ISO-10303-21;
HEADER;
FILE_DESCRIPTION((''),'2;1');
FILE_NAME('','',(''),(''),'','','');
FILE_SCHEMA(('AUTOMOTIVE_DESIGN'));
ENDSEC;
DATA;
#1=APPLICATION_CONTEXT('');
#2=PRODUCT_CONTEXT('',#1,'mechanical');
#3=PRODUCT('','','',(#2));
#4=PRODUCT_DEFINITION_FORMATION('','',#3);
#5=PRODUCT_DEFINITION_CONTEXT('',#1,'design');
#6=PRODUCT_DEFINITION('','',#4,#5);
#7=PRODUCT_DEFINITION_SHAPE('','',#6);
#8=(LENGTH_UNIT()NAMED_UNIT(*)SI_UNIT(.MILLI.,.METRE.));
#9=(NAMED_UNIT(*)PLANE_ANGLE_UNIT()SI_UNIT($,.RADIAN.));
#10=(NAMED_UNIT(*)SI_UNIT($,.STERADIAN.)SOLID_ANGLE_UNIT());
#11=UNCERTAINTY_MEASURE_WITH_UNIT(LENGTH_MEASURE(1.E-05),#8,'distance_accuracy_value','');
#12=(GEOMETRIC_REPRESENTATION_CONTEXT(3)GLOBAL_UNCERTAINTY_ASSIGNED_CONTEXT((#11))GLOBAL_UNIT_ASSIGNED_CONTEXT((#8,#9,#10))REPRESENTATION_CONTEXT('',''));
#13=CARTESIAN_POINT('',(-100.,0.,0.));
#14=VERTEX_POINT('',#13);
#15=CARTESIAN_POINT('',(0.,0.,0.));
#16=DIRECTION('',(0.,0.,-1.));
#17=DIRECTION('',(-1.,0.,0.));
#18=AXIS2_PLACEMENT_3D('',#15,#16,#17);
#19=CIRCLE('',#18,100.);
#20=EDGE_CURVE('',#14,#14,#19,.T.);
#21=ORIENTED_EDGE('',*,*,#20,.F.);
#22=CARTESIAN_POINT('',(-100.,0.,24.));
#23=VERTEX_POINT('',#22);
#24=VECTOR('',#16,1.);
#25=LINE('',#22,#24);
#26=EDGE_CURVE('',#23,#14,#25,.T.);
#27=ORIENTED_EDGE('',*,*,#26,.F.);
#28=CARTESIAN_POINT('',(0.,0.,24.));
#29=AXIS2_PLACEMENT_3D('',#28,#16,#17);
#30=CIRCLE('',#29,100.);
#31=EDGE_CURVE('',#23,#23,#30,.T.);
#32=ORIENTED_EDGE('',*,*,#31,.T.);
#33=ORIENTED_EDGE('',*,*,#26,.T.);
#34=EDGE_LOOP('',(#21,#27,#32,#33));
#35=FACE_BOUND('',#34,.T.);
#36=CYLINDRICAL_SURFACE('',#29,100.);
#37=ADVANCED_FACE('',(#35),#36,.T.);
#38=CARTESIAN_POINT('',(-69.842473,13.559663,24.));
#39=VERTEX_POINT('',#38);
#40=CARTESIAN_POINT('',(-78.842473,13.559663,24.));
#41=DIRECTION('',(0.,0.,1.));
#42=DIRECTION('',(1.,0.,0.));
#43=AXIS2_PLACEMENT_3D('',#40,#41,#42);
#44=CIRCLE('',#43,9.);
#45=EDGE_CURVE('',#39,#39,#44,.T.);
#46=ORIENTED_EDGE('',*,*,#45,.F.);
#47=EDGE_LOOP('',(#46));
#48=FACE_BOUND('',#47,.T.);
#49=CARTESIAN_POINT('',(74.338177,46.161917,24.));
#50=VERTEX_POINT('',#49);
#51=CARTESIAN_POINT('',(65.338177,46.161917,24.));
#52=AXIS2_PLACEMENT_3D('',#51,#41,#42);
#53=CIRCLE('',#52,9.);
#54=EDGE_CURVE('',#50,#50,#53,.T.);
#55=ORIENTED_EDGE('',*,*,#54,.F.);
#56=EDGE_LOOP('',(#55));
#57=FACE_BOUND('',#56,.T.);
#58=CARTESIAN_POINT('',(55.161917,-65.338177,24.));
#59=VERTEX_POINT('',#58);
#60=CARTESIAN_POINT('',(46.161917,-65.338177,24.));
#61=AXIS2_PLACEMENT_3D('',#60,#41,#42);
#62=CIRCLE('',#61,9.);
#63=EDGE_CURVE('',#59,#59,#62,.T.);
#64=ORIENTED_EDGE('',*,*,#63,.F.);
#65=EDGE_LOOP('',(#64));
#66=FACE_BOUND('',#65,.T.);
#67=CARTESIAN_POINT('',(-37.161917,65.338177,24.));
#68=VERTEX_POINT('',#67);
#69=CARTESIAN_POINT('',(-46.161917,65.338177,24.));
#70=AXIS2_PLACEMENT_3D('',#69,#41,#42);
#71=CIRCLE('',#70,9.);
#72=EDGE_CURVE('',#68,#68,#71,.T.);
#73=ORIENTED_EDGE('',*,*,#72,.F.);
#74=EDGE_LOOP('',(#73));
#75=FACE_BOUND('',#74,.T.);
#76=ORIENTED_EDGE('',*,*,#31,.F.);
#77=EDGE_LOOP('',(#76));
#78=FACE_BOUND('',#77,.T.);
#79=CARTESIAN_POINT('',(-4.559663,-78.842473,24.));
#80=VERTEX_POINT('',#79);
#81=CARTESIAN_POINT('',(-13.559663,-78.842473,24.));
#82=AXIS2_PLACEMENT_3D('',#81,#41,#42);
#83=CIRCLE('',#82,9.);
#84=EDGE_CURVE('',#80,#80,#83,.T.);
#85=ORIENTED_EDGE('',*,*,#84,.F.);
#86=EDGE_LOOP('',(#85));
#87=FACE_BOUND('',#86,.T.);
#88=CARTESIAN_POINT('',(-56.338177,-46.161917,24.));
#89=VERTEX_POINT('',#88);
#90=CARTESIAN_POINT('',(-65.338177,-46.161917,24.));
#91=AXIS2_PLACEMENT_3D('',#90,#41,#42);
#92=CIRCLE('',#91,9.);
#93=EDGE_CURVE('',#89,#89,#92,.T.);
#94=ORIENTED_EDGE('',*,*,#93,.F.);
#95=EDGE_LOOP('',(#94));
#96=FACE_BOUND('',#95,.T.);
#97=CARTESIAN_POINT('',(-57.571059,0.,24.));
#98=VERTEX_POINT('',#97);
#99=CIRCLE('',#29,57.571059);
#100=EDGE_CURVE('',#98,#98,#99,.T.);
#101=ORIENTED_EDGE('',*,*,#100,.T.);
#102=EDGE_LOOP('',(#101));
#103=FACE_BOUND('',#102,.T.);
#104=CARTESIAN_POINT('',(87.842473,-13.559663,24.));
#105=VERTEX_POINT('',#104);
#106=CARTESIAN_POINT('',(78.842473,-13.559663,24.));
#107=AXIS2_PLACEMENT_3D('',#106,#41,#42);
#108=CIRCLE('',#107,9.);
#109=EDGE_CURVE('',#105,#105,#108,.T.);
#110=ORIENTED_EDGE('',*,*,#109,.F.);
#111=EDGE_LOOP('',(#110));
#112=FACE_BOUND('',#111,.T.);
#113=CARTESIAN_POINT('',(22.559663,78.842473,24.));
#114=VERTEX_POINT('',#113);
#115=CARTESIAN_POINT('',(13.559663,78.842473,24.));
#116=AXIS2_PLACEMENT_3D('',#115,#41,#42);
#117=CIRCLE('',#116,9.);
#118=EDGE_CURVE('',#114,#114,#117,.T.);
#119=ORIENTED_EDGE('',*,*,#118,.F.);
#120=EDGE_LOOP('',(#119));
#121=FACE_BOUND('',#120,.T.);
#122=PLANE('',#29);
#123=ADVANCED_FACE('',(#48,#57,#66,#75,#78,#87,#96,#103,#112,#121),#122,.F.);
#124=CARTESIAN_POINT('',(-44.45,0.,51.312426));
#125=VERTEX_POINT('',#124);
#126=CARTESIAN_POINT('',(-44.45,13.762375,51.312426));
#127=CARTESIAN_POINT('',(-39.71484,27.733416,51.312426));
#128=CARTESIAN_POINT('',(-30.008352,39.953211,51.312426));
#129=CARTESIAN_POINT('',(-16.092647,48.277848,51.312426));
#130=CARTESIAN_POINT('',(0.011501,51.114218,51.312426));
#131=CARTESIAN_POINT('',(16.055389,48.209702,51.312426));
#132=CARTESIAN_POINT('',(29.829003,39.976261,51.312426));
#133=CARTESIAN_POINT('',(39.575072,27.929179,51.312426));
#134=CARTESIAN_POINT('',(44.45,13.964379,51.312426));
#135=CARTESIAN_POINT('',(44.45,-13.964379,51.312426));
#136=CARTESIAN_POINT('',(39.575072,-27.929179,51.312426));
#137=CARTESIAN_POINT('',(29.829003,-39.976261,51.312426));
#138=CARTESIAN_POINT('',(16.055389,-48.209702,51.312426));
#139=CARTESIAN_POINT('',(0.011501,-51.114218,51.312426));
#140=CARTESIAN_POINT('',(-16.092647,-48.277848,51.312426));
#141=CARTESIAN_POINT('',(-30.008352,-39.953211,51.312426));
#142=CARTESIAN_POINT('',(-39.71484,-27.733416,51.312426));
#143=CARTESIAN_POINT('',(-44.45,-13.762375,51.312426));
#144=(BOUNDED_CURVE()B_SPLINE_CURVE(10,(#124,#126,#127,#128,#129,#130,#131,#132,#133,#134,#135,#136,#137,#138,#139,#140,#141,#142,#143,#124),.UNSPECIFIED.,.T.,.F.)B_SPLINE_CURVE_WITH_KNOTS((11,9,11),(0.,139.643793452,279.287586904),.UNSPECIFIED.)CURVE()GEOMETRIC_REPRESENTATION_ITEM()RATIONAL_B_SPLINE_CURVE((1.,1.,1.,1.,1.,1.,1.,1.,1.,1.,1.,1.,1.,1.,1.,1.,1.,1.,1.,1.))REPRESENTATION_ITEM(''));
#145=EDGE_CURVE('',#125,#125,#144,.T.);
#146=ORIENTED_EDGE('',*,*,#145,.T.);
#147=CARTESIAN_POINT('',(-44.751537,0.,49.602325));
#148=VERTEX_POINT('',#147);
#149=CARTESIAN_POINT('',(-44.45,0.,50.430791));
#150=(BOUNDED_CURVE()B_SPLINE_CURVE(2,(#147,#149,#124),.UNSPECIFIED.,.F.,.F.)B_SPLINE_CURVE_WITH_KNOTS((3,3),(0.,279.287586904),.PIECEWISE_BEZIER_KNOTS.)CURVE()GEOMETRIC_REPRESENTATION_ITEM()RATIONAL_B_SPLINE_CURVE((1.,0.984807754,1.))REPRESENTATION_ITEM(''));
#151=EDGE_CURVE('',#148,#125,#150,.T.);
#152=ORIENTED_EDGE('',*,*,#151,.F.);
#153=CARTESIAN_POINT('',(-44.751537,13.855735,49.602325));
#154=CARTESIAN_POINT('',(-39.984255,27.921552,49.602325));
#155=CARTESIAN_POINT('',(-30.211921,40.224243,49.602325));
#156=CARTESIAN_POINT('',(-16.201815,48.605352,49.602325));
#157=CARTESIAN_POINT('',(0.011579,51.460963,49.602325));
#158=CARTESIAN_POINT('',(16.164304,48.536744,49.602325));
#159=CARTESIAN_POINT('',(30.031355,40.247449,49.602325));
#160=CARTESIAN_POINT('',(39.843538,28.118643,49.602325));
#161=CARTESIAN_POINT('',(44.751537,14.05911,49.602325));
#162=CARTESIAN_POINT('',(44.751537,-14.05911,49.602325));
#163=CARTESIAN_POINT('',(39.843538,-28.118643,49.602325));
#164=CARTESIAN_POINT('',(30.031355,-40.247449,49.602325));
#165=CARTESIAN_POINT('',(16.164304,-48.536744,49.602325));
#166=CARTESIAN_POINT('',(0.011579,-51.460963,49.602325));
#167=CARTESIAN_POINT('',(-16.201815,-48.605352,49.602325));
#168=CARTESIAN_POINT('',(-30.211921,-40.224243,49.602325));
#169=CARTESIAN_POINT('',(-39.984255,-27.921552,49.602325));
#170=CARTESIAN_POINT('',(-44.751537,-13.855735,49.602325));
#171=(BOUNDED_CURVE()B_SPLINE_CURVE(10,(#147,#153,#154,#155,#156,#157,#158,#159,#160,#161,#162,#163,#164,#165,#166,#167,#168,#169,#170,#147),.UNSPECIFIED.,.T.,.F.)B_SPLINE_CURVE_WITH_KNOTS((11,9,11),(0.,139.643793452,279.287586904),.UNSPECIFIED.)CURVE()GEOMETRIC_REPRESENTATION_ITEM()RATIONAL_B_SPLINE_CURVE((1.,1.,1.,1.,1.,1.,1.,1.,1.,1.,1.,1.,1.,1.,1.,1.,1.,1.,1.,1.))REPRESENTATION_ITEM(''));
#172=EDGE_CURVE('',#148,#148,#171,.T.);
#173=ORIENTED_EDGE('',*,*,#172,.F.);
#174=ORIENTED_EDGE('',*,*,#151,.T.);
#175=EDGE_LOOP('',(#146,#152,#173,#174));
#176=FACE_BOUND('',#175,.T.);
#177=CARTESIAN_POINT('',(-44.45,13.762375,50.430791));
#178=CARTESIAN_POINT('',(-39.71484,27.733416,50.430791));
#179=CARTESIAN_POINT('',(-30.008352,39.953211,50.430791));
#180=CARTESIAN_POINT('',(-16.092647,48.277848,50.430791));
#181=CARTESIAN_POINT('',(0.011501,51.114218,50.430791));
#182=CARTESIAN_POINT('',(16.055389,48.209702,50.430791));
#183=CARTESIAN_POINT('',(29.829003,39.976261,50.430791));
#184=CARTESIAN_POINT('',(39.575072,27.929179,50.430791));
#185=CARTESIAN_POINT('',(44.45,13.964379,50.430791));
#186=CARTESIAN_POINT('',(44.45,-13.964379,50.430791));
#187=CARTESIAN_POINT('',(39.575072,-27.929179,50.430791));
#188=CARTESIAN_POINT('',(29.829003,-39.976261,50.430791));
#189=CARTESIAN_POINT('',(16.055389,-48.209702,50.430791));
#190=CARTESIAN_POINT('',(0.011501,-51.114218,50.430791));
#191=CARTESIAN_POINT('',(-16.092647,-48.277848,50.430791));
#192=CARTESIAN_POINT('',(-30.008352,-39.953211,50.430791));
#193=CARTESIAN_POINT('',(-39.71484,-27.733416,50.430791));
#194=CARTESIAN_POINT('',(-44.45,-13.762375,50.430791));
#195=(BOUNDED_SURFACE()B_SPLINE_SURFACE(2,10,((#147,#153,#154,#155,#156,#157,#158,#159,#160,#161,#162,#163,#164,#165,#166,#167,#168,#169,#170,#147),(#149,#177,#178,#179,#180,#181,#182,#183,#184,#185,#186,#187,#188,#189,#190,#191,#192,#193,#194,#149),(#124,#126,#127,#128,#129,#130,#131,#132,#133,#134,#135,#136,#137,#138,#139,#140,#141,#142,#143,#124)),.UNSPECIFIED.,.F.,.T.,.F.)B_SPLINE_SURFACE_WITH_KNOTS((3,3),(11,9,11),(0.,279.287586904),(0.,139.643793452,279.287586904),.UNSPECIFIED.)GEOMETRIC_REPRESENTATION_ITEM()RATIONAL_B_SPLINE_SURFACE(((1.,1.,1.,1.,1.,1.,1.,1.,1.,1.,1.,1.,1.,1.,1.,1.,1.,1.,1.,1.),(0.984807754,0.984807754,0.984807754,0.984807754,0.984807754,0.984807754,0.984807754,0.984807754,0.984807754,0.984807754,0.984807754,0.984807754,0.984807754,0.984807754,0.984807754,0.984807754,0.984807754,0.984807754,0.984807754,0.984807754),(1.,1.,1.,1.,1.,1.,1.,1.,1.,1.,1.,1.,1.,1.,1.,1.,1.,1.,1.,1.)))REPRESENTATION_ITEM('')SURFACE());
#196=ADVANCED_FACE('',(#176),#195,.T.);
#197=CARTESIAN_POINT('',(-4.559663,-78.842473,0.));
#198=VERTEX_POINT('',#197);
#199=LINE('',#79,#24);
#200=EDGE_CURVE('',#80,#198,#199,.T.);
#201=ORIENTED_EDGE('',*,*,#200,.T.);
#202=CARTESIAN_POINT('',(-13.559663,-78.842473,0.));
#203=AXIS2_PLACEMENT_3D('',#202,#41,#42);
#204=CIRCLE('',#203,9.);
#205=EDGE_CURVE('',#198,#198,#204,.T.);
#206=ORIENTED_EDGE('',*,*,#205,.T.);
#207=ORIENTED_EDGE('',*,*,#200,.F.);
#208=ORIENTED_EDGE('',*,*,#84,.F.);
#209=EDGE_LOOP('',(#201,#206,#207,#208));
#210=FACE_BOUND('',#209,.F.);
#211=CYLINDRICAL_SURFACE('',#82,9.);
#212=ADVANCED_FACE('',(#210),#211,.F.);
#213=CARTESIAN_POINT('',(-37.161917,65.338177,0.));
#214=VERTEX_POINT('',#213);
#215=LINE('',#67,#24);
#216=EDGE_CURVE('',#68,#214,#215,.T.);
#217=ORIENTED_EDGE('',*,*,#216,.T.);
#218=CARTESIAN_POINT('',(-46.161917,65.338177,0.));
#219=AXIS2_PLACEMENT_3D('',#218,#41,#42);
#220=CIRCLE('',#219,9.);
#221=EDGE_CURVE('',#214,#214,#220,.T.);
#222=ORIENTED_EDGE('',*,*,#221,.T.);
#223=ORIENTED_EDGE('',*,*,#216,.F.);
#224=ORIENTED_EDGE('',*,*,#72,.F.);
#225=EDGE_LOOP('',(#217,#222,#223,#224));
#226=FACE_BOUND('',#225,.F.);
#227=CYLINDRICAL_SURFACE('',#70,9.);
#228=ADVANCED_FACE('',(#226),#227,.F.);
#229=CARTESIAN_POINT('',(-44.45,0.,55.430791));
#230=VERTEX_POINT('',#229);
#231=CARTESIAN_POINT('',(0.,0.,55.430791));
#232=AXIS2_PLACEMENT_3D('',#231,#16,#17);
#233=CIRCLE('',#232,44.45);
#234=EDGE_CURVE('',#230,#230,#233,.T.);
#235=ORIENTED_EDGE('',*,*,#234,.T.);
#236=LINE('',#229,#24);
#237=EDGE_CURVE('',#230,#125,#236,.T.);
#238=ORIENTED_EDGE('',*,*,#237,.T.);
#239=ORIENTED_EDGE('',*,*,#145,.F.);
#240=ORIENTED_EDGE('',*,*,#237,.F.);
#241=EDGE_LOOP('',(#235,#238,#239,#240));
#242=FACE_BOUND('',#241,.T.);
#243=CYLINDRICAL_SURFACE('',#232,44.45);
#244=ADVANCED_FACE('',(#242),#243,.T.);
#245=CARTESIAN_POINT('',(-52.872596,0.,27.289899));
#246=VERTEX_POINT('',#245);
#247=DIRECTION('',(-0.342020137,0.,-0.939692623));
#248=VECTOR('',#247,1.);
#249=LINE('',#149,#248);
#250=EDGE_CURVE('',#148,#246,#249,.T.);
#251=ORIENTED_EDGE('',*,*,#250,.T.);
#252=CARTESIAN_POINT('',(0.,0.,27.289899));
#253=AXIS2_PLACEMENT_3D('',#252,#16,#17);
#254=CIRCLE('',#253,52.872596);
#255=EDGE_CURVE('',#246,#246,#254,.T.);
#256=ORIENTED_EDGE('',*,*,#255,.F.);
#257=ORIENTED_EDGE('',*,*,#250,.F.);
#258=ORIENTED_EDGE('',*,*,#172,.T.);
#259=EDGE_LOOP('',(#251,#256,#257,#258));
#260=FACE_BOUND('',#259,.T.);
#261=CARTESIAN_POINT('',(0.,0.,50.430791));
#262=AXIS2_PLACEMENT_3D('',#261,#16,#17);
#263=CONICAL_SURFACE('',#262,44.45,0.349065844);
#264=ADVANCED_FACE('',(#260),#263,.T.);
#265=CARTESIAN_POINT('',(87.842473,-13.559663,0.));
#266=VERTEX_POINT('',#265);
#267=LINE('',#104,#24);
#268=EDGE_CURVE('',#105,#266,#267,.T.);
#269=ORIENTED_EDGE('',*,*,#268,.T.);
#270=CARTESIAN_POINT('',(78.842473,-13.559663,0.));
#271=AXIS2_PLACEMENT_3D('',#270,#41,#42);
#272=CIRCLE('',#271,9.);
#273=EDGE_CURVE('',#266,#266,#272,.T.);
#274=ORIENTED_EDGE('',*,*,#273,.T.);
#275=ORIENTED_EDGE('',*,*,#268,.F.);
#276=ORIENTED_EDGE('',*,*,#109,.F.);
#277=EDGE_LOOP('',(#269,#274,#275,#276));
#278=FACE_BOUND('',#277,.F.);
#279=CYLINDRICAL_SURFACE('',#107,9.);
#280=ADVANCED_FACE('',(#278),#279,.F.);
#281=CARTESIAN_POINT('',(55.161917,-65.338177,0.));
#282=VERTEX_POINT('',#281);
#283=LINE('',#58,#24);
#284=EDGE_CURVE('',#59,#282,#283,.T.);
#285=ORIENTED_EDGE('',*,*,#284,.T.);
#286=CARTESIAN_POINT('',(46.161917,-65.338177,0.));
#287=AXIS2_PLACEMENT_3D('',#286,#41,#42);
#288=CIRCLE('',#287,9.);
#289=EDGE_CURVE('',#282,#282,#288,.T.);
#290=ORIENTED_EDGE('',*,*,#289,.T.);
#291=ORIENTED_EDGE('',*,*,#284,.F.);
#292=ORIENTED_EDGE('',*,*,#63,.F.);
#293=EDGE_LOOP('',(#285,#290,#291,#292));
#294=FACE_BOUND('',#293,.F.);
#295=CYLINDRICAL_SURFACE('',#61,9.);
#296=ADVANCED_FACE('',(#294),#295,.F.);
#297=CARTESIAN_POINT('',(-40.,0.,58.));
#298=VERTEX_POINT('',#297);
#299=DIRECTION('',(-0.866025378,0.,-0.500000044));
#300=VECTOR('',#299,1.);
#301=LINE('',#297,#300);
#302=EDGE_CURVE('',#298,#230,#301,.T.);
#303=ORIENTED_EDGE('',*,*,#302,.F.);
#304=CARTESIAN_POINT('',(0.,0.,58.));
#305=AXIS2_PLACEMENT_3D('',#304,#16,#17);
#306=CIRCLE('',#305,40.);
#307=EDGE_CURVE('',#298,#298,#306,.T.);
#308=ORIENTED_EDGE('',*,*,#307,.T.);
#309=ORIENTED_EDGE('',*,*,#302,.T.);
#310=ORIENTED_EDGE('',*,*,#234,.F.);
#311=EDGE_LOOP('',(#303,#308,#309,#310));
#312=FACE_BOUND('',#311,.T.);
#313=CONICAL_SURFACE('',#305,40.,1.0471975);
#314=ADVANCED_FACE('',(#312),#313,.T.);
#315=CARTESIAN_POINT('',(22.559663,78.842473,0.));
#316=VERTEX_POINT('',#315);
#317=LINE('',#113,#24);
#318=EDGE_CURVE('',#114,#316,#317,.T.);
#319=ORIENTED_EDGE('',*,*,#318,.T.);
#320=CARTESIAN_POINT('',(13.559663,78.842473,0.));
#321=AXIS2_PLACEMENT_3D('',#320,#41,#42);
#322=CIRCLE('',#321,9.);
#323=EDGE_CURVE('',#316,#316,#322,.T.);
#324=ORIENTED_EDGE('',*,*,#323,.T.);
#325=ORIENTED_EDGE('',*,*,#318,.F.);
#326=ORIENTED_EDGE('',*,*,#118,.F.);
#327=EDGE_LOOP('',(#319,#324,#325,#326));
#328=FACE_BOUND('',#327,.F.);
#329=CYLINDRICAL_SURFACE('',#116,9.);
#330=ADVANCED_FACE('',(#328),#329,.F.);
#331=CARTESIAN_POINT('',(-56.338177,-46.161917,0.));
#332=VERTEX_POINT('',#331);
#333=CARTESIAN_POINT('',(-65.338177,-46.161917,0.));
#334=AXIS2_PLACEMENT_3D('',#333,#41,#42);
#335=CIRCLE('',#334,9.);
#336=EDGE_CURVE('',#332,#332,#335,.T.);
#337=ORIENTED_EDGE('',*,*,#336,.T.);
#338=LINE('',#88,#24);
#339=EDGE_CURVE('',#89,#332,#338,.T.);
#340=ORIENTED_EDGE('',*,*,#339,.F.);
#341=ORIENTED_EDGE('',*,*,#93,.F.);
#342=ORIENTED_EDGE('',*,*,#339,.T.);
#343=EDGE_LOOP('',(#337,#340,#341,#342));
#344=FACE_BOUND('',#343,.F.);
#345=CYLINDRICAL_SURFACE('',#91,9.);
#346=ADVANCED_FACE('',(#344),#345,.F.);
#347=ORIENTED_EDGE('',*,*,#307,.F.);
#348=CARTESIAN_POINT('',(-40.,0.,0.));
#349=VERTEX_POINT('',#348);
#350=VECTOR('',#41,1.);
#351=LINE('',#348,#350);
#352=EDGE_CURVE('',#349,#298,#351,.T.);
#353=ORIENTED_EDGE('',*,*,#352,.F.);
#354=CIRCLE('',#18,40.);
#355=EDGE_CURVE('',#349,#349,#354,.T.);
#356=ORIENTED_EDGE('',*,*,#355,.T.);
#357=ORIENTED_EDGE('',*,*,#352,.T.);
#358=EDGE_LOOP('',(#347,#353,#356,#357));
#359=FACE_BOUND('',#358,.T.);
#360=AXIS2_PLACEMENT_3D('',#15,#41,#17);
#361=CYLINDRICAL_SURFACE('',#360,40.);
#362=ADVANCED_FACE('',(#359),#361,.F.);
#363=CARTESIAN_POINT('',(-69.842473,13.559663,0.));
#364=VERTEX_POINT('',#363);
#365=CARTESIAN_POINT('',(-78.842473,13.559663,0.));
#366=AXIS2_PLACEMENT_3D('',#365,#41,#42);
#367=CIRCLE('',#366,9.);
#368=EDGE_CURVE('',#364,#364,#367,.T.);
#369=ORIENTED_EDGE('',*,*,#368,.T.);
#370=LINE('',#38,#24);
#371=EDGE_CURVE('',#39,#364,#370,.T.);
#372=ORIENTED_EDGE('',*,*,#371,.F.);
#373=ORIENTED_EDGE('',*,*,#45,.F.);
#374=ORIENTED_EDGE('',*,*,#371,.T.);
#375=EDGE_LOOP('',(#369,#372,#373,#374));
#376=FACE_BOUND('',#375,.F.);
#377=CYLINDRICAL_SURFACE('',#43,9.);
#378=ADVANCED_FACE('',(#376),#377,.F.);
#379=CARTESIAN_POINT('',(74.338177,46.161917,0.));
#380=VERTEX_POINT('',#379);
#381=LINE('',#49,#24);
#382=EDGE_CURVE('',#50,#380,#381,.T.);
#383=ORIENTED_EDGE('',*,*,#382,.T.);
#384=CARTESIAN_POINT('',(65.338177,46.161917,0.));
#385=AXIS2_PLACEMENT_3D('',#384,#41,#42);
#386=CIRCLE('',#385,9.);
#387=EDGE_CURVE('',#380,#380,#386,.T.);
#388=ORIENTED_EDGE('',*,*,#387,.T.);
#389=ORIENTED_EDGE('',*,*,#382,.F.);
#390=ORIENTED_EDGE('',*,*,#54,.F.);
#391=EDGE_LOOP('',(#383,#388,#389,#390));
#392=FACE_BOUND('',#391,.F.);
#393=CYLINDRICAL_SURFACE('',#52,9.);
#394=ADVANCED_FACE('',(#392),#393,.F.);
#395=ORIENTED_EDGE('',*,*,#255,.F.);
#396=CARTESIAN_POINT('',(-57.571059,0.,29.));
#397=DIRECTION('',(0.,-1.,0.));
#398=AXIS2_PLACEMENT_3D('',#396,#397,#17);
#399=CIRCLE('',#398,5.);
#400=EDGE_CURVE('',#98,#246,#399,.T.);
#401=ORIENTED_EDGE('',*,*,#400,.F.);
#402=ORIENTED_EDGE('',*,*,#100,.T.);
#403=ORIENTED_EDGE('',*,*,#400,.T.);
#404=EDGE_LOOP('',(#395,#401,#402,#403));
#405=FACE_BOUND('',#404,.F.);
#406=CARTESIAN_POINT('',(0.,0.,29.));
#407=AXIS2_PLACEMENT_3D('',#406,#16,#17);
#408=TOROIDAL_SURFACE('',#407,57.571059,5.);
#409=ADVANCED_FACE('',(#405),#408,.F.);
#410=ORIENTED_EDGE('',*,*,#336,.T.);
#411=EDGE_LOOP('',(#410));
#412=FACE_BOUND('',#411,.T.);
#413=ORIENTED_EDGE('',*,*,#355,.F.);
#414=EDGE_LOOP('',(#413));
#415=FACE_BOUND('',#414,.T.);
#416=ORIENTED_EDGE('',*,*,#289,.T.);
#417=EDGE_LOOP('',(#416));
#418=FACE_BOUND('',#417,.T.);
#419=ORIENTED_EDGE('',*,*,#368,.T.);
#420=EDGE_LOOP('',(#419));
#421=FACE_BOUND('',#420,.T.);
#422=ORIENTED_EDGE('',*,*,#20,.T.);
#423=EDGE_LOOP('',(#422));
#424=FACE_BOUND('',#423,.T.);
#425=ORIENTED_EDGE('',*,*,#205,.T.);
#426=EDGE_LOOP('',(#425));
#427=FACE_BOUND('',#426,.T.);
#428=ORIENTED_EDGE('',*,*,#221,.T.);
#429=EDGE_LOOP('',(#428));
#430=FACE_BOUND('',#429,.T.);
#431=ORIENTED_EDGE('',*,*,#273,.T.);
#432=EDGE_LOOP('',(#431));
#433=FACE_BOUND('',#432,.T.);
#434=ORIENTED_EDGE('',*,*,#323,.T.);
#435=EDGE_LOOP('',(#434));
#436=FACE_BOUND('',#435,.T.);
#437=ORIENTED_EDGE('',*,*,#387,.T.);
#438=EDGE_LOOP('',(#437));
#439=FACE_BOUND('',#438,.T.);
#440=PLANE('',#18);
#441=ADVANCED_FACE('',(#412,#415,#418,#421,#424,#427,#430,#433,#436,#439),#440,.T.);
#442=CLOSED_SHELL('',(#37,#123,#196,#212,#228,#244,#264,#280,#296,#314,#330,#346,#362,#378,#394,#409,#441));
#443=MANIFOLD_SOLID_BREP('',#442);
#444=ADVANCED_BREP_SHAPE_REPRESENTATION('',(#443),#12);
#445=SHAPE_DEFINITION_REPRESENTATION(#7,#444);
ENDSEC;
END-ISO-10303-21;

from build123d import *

# Parameters (mm, degrees)
F2_R     = 9
F3_DEPTH = 25
F4_R     = 5


with BuildPart() as f1:
    # F0 (on Front) → F1 (revolve)
    with BuildSketch(Plane.XZ):
        Polygon((-100, 0), (-40, 0), (-40, 58), (-44.45, 55.430791), (-44.45, 50.430791), (-54.070021, 24), (-100, 24), align=None)
    revolve(axis=Axis((0, 0, 3.000721), (0, 0, -1)))

    # F2 (on face) → F3 (cut)
    with BuildSketch(Plane.XY.offset(24)):
        with Locations((-46.161917, 65.338177)):
            Circle(F2_R)
        with Locations((-78.842473, 13.559663)):
            Circle(F2_R)
        with Locations((-65.338177, -46.161917)):
            Circle(F2_R)
        with Locations((-13.559663, -78.842473)):
            Circle(F2_R)
        with Locations((46.161917, -65.338177)):
            Circle(F2_R)
        with Locations((78.842473, -13.559663)):
            Circle(F2_R)
        with Locations((65.338177, 46.161917)):
            Circle(F2_R)
        with Locations((13.559663, 78.842473)):
            Circle(F2_R)
    extrude(amount=-F3_DEPTH, mode=Mode.SUBTRACT)

    # F4
    f4_edges = [f1.edges().sort_by_distance(p)[0] for p in [
        (54.070021, 0, 24),
        (44.45, 0, 50.430791),
    ]]
    fillet(f4_edges, radius=F4_R)


solid = f1.part
